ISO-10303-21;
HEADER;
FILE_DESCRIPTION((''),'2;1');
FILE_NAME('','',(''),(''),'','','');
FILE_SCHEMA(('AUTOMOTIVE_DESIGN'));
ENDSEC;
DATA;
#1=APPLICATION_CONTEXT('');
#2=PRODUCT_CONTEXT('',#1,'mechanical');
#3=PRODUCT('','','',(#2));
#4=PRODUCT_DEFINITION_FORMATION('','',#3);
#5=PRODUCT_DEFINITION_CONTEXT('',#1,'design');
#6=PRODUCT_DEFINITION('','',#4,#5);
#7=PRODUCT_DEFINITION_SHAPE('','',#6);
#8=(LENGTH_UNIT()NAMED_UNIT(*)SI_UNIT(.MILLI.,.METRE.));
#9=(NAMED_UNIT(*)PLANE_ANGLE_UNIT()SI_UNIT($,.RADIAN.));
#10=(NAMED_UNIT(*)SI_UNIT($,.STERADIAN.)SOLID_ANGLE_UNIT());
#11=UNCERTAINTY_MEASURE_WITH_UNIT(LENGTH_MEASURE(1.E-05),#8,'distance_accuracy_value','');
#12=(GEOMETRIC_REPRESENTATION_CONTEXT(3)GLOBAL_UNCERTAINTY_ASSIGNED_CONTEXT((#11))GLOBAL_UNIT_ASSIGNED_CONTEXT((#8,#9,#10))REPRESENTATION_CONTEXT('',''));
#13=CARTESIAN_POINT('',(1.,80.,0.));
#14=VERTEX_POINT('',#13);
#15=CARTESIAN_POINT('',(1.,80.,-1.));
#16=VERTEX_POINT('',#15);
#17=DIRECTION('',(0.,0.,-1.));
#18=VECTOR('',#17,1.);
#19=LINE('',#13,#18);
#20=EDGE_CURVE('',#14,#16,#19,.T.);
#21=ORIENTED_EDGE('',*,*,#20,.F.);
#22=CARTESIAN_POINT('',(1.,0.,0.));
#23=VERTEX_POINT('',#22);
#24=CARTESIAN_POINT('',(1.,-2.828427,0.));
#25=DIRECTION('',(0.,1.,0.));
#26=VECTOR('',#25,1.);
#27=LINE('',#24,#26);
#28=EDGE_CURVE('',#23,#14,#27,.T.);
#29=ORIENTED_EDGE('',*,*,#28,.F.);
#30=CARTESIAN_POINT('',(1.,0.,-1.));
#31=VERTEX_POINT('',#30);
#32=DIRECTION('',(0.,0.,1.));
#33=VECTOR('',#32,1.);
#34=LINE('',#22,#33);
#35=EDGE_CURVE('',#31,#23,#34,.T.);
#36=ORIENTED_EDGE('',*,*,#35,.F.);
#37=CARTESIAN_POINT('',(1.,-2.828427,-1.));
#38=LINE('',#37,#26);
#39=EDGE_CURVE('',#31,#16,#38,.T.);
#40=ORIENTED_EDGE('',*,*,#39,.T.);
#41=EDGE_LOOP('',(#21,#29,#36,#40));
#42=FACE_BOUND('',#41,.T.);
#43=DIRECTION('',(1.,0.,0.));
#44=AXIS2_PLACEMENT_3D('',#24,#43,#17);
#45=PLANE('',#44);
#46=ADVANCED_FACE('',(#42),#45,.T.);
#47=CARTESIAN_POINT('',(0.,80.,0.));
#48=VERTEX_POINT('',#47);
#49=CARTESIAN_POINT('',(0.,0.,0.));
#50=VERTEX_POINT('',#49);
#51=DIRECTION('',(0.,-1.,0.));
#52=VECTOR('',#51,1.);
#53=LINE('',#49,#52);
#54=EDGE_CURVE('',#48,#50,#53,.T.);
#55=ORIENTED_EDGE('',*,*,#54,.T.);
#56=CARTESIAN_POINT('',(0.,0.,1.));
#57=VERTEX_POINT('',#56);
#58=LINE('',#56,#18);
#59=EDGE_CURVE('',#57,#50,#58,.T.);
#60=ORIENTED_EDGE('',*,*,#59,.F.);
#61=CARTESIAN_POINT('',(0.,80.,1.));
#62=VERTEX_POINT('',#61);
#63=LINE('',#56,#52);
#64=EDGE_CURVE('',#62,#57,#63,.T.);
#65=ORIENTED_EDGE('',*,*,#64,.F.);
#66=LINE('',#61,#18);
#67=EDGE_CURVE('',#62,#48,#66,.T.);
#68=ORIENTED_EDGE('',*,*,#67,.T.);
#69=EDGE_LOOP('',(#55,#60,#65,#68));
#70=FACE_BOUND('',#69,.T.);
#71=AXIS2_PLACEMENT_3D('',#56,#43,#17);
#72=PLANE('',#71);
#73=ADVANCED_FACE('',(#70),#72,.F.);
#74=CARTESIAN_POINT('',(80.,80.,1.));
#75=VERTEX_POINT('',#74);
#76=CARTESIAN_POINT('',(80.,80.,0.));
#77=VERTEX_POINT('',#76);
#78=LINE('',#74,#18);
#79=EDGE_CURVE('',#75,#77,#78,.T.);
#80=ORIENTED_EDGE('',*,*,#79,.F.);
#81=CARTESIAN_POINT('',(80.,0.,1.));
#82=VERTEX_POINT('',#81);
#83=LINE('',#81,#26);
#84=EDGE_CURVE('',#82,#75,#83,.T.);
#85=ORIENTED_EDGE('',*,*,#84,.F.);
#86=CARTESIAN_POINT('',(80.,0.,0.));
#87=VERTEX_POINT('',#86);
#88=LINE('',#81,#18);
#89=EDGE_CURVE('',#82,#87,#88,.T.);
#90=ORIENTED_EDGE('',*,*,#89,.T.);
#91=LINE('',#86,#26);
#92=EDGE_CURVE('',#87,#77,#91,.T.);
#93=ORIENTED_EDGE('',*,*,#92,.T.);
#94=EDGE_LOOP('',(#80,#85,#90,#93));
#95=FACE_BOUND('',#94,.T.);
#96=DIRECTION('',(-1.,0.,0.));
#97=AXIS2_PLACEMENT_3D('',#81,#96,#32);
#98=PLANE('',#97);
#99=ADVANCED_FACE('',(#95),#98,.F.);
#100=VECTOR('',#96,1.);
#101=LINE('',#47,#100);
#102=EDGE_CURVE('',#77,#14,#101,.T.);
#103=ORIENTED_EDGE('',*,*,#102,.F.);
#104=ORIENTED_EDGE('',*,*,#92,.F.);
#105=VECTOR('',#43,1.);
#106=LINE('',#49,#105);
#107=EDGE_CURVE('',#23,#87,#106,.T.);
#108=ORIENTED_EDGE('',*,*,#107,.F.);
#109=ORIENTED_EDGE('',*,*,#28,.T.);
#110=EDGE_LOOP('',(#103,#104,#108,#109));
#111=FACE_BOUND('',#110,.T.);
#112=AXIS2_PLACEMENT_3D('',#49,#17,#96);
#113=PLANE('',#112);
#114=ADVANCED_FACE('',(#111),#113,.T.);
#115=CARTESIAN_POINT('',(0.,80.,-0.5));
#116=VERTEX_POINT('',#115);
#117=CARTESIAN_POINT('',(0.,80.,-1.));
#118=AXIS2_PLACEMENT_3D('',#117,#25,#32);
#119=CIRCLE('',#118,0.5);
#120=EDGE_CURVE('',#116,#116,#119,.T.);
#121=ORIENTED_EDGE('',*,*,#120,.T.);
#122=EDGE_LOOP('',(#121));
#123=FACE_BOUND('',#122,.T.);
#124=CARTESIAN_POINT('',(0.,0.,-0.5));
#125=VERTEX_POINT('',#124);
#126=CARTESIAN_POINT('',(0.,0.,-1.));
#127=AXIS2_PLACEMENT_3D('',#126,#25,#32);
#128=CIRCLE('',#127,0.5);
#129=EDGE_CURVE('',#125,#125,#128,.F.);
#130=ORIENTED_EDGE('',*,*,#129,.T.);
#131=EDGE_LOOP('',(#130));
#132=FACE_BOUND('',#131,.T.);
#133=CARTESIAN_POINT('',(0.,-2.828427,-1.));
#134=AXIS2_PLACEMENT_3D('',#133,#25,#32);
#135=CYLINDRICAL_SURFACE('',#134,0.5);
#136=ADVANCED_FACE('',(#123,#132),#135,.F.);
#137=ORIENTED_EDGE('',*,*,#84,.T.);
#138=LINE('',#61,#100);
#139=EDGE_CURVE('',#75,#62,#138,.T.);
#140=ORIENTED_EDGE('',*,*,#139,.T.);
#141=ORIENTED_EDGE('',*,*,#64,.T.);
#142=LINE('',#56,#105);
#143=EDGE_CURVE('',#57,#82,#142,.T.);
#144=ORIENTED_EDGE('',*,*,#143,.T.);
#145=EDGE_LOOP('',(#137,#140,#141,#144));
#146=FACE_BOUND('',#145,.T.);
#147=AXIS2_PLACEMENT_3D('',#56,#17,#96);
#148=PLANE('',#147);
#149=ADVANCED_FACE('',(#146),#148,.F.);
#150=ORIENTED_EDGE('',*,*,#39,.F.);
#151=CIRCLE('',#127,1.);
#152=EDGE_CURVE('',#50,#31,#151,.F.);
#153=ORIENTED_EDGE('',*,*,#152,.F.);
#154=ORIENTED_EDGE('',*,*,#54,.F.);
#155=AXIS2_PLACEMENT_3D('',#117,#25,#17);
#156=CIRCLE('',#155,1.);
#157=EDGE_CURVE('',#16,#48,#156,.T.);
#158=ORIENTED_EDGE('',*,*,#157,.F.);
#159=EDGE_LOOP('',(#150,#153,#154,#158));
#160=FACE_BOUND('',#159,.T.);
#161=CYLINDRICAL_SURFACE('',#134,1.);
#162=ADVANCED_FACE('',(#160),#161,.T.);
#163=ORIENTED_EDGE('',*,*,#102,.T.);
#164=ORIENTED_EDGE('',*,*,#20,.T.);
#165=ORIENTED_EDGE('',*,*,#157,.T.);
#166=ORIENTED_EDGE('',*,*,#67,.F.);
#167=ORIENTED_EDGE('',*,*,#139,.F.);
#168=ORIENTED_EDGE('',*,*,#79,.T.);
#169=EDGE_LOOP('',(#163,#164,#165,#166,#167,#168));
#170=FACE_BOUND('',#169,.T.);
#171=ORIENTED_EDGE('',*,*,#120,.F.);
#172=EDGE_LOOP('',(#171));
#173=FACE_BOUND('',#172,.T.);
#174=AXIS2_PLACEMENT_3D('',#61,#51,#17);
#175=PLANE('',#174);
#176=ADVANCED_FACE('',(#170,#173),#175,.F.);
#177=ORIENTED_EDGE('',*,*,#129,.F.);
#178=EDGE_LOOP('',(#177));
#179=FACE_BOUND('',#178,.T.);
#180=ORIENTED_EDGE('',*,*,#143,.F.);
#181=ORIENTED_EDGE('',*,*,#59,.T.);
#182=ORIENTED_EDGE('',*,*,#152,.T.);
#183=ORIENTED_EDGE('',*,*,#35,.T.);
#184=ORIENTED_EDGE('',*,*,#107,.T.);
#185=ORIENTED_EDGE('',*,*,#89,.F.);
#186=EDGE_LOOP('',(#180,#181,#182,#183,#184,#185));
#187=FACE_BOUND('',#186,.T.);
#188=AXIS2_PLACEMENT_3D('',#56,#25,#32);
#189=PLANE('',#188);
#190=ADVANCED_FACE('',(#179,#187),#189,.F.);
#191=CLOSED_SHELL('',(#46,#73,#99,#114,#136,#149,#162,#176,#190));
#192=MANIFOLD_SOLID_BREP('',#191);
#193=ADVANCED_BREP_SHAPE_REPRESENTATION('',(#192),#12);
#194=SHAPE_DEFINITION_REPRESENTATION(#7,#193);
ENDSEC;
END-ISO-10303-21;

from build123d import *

# Parameters (mm, degrees)
ESQUISSE1_W        = 80
ESQUISSE1_H        = 80
BOSS_EXTRU_1_DEPTH = 1
ESQUISSE2_R        = 0.5
BOSS_EXTRU_2_DEPTH = 80


with BuildPart() as part:
    # Esquisse1 → Boss.-Extru.1 (new body)
    with BuildSketch(Plane.XY):
        with Locations((40, 40)):
            Rectangle(ESQUISSE1_W, ESQUISSE1_H)
    extrude(amount=BOSS_EXTRU_1_DEPTH)

    # Esquisse2 → Boss.-Extru.2 (add)
    with BuildSketch(Plane(origin=(0, 80, 0), x_dir=(1, 0, 0), z_dir=(0, 1, 0))):
        with BuildLine():
            Line((1, 0), (1, 1))
            ThreePointArc((1, 1), (-0.707106781, 1.707106781), (0, 0))
            Line((0, 0), (1, 0))
        make_face()
        with Locations(Location((0, 1, 0), (0, 0, 270))):
            Circle(ESQUISSE2_R, mode=Mode.SUBTRACT)
    extrude(amount=-BOSS_EXTRU_2_DEPTH)


solid = part.part
